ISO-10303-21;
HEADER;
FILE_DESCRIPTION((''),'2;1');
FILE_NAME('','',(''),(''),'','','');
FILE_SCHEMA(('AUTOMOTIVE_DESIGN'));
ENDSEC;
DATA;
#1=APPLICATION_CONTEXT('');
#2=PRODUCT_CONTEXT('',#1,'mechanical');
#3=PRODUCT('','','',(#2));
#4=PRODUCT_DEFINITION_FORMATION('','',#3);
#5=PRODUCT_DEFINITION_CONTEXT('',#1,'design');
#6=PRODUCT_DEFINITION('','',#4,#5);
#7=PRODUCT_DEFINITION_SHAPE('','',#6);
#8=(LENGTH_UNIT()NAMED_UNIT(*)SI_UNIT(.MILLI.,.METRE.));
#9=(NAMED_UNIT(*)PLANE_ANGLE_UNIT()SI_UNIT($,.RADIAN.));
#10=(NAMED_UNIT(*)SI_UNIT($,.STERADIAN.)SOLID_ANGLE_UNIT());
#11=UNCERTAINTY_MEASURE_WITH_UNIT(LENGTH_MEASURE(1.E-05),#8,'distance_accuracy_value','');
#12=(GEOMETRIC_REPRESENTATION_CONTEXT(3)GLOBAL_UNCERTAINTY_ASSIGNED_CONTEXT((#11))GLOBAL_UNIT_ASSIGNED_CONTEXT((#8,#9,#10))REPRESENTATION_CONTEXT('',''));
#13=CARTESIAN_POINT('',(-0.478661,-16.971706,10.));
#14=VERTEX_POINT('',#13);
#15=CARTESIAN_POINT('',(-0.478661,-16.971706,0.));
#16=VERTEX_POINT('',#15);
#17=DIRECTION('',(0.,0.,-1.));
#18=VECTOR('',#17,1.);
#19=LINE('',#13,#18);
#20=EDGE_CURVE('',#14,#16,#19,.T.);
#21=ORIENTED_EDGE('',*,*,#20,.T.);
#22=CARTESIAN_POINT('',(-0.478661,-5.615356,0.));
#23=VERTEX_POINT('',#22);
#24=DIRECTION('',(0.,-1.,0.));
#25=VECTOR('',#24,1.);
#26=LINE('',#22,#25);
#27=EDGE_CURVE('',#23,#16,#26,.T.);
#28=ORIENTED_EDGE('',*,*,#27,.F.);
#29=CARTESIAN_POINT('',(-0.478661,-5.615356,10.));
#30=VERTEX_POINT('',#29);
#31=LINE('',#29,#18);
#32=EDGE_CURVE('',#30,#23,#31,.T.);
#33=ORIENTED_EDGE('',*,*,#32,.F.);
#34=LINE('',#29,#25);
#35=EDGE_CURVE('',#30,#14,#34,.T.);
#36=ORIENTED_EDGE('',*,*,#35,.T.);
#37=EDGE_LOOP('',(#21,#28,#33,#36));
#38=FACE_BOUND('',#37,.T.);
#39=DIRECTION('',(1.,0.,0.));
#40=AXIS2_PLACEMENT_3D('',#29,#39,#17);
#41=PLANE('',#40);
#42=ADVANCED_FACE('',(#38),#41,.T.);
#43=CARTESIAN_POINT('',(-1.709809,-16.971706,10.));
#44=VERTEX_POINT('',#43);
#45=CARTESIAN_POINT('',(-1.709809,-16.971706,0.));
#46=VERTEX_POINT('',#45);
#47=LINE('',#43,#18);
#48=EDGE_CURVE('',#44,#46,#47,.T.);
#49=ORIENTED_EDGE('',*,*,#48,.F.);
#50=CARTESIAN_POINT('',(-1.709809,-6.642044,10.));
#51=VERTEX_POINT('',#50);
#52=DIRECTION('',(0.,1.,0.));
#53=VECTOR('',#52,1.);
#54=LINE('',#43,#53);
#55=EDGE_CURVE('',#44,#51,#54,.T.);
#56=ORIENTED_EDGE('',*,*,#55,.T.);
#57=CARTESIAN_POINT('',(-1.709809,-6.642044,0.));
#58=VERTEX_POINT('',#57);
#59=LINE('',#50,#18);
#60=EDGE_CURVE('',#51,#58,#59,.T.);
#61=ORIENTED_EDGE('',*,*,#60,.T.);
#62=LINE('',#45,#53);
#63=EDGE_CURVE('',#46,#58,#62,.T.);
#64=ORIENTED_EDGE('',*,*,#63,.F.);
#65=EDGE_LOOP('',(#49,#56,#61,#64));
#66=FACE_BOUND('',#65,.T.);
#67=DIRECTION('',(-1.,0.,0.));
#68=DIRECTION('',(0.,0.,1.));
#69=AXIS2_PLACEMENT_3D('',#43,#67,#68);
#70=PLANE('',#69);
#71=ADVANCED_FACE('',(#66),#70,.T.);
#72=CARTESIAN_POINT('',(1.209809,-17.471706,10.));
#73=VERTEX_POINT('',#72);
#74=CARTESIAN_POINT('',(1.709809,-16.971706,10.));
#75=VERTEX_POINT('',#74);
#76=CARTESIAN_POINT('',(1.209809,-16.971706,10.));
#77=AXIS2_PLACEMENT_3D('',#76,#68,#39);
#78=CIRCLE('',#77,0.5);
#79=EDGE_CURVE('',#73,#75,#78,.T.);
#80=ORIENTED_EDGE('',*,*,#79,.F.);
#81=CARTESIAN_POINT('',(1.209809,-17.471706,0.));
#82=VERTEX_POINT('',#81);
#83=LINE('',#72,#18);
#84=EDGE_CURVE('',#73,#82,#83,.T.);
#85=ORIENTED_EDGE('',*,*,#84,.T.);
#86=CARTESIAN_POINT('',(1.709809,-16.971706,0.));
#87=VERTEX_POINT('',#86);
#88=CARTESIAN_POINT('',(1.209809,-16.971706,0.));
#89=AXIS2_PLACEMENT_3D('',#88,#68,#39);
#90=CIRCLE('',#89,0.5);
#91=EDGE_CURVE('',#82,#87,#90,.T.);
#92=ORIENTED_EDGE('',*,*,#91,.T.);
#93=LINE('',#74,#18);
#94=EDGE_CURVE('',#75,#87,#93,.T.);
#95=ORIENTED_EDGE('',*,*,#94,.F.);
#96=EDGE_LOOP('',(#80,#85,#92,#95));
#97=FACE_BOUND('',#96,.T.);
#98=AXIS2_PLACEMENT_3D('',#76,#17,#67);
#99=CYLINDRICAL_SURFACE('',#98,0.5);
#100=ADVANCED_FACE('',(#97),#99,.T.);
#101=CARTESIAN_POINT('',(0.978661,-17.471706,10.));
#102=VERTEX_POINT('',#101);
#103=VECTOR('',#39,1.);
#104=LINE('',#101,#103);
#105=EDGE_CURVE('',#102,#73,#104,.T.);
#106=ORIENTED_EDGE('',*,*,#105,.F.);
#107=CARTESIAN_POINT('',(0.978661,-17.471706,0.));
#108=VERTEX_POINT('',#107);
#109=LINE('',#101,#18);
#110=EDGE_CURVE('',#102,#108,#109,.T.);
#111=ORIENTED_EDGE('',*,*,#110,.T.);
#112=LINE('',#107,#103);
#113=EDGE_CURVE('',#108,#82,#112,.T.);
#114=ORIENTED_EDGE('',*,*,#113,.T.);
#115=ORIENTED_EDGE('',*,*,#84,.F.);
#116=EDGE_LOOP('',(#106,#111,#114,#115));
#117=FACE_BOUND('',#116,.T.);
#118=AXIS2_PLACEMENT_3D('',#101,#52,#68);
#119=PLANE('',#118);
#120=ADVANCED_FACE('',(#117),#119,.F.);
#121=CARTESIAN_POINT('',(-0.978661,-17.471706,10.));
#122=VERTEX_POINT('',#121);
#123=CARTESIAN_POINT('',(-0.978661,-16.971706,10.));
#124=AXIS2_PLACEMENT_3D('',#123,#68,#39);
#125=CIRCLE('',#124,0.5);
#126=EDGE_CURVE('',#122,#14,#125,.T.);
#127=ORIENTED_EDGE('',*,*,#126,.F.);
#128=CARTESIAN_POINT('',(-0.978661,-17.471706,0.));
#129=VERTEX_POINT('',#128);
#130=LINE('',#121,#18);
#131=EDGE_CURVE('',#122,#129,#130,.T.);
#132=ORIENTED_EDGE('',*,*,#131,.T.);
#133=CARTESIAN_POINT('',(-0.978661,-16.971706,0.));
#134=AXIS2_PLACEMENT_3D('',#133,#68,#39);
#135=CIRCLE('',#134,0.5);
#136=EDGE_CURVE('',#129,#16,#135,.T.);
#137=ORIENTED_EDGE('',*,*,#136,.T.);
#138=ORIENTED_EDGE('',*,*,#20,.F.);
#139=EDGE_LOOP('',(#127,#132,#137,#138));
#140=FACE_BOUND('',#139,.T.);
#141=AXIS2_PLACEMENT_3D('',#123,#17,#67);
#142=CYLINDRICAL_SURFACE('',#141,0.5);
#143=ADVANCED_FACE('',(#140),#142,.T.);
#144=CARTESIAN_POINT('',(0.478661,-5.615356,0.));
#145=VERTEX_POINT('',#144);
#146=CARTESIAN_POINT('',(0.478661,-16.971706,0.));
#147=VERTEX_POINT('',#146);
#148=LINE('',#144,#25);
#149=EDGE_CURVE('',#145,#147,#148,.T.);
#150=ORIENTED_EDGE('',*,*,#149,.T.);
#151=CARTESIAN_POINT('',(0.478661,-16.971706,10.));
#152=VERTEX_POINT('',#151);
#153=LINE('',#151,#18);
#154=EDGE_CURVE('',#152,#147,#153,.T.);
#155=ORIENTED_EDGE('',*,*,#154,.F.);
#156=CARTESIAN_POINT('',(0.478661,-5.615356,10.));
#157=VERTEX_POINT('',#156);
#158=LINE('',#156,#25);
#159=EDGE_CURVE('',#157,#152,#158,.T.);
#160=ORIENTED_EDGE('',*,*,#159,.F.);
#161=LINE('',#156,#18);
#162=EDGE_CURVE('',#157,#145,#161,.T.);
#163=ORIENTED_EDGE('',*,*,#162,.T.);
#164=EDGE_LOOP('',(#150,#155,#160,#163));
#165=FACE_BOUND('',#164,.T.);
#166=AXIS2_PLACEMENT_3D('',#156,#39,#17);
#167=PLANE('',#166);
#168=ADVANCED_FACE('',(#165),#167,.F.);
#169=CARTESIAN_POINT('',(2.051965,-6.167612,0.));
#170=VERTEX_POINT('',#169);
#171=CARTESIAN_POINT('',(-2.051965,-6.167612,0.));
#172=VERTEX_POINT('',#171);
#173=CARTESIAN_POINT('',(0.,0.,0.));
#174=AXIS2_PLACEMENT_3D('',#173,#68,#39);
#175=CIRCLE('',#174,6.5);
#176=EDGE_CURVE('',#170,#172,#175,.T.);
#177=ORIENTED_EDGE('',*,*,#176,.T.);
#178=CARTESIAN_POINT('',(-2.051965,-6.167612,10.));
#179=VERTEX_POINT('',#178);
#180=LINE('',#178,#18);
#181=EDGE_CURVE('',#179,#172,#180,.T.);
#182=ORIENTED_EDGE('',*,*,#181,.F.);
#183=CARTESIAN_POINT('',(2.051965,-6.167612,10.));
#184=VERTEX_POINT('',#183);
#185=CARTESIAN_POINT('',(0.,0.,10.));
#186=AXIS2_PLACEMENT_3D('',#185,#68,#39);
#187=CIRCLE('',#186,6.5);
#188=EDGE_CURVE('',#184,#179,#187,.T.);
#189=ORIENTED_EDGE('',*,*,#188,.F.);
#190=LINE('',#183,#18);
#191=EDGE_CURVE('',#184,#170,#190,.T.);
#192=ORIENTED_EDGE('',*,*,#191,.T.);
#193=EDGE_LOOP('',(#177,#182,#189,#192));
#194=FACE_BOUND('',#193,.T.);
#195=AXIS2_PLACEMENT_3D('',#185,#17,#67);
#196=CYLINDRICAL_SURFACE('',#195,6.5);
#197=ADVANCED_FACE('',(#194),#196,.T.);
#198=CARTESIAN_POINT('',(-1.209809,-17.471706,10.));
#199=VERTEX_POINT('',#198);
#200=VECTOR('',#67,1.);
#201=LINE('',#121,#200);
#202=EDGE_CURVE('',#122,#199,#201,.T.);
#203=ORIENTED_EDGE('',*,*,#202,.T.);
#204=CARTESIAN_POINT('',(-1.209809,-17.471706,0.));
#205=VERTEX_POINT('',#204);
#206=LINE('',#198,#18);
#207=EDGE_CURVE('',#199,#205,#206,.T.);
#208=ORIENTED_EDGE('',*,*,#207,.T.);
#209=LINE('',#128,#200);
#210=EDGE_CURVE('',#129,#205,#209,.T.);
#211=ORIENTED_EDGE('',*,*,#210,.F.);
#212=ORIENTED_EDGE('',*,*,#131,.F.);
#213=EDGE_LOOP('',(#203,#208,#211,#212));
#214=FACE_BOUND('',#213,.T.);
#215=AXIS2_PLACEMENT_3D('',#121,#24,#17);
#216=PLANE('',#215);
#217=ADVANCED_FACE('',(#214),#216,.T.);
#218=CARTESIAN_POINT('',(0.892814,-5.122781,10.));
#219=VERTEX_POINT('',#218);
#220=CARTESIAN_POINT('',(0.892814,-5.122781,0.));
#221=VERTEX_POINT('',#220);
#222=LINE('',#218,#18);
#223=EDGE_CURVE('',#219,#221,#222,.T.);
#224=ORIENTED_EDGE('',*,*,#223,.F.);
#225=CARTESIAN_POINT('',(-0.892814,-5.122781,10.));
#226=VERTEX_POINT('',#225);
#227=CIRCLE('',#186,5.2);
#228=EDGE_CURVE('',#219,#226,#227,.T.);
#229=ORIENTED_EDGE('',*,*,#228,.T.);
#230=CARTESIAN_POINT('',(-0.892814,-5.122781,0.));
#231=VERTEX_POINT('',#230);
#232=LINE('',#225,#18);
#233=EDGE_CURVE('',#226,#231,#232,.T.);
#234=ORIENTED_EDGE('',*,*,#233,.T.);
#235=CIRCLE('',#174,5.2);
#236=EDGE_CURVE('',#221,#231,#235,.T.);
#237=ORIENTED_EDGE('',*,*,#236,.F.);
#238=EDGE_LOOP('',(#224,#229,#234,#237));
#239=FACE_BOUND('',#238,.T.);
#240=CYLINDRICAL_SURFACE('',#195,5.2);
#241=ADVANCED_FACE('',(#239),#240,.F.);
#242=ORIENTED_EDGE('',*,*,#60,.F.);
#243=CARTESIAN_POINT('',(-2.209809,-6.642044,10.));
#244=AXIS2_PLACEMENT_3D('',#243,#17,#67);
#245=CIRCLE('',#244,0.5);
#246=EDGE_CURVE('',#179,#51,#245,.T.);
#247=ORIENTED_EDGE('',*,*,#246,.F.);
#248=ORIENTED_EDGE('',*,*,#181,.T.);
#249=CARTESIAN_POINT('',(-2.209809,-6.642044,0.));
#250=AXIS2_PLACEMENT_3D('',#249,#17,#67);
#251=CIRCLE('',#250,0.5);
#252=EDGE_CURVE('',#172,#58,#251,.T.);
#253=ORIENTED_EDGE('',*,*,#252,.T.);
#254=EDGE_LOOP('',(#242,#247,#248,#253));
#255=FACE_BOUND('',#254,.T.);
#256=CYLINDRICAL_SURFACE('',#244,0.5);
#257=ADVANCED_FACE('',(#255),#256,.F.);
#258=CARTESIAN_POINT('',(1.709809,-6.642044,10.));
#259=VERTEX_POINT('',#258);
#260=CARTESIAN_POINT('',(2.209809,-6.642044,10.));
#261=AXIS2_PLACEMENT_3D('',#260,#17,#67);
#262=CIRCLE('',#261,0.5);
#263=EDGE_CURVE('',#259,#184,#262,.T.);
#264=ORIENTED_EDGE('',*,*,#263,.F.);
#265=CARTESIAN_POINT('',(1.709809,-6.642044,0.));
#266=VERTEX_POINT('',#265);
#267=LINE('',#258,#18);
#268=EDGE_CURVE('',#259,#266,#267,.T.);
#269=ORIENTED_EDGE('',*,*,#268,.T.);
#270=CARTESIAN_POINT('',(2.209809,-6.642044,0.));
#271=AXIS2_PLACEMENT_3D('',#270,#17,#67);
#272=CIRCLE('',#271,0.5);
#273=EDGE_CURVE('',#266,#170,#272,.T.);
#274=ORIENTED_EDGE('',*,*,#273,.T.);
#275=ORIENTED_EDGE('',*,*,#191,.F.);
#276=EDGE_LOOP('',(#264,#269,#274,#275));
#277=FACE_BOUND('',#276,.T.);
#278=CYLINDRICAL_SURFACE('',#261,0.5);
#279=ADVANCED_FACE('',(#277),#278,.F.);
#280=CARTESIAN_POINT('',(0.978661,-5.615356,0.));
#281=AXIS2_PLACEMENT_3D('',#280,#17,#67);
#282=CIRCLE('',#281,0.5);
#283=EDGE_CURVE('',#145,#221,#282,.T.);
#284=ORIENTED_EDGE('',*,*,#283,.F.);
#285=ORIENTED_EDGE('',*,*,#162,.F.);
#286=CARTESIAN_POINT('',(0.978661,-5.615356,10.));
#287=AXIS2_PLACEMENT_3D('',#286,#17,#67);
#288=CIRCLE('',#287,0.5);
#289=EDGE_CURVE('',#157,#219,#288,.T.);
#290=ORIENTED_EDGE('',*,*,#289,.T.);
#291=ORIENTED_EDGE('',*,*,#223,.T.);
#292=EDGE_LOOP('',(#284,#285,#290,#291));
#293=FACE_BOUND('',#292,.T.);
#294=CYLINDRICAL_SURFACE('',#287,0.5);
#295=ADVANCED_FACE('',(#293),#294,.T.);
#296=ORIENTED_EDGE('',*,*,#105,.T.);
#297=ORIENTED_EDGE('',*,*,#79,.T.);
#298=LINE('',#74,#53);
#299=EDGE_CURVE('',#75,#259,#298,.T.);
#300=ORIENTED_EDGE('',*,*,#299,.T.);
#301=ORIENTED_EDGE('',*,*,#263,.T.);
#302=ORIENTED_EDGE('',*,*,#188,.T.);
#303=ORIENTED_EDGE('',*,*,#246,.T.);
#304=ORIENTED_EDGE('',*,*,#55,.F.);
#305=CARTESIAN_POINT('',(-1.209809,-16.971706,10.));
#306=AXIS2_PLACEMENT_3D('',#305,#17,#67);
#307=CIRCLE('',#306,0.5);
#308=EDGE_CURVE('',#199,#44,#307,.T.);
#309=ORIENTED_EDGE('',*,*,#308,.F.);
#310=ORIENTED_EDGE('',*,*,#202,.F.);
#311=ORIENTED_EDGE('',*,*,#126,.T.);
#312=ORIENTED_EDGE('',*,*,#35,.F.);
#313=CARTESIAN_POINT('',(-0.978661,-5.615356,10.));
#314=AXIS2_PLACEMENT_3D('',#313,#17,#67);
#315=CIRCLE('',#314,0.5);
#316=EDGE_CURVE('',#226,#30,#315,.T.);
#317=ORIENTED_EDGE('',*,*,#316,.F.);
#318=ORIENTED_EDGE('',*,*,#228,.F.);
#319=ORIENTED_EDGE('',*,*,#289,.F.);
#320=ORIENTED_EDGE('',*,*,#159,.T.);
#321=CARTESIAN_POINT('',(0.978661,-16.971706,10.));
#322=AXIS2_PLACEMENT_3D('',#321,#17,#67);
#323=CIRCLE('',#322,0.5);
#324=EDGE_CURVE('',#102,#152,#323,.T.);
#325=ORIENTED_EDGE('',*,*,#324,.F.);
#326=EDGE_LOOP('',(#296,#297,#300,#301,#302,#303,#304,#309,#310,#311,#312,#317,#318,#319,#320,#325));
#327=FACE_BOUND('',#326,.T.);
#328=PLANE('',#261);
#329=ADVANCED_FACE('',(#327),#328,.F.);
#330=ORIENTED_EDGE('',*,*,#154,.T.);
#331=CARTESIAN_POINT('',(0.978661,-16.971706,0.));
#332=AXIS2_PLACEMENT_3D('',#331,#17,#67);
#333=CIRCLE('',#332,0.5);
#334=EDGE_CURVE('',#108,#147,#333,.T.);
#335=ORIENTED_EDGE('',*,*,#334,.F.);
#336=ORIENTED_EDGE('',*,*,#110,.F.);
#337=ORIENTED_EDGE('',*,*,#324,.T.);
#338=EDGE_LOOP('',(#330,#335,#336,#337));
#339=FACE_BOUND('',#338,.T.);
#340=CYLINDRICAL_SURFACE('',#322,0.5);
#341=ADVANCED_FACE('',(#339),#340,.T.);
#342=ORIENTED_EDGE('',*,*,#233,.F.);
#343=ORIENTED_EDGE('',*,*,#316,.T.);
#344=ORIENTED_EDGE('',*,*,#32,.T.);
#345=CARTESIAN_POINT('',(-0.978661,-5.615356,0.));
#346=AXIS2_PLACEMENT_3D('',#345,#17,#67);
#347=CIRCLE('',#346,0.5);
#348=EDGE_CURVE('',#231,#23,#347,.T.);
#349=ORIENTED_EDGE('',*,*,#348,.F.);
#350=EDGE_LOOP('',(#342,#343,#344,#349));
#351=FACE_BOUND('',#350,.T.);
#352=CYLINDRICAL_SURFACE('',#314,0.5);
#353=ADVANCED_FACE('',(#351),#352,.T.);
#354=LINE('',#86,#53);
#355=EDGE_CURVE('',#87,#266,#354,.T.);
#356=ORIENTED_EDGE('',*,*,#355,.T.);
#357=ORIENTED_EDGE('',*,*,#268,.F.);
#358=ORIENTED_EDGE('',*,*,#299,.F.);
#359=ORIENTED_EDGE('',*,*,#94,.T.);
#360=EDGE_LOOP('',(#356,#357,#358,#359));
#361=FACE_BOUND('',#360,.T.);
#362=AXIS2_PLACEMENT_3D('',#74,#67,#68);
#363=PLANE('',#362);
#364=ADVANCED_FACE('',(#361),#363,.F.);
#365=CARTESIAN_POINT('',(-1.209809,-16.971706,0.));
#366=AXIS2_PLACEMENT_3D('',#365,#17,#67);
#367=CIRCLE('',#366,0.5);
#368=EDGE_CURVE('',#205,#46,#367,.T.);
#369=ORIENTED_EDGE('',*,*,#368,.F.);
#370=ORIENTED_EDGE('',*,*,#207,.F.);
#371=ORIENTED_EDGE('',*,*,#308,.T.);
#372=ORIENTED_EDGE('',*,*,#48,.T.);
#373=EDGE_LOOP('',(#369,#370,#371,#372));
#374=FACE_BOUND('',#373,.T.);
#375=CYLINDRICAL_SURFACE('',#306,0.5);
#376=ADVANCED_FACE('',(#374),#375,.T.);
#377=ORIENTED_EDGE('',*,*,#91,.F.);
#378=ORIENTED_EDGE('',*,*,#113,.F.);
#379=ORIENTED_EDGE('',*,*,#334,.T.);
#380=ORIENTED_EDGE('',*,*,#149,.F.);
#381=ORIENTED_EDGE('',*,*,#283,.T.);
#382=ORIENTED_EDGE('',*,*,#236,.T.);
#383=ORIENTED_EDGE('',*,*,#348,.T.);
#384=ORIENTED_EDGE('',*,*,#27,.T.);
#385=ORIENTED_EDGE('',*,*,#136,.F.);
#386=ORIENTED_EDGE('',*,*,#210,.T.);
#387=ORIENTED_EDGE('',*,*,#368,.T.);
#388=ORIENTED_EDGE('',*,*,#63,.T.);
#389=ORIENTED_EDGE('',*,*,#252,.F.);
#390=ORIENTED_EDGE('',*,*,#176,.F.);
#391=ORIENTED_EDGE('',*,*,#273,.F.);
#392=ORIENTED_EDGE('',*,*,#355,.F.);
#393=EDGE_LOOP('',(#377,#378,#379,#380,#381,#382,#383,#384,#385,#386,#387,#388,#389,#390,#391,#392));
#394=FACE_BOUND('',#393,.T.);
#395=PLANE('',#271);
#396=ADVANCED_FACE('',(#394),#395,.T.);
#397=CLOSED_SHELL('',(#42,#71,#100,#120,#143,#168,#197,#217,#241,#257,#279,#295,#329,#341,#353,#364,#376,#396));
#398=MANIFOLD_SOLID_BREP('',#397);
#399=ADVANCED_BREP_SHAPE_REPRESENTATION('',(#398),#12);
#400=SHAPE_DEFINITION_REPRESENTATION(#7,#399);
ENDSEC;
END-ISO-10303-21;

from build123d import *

# Parameters (mm, degrees)
BOSS_EXTRUDE1_DEPTH = 10


with BuildPart() as part:
    # Sketch1 → Boss-Extrude1 (new body)
    with BuildSketch(Plane.XY):
        with BuildLine():
            Line((0.478661478, -5.615355885), (0.478661478, -16.97170584))
            ThreePointArc((0.478661478, -16.97170584), (0.625108087, -17.325259231), (0.978661478, -17.47170584))
            Line((0.978661478, -17.47170584), (1.209808881, -17.47170584))
            ThreePointArc((1.209808881, -17.47170584), (1.563362272, -17.325259231), (1.709808881, -16.97170584))
            Line((1.709808881, -16.97170584), (1.709808881, -6.642043715))
            ThreePointArc((1.709808881, -6.642043715), (1.804271123, -6.349572986), (2.05196539, -6.167612021))
            ThreePointArc((2.05196539, -6.167612021), (0, 6.5), (-2.05196539, -6.167612021))
            ThreePointArc((-2.05196539, -6.167612021), (-1.804271123, -6.349572986), (-1.709808881, -6.642043715))
            Line((-1.709808881, -6.642043715), (-1.709808881, -16.97170584))
            ThreePointArc((-1.709808881, -16.97170584), (-1.563362272, -17.325259231), (-1.209808881, -17.47170584))
            Line((-1.209808881, -17.47170584), (-0.978661478, -17.47170584))
            ThreePointArc((-0.978661478, -17.47170584), (-0.625108087, -17.325259231), (-0.478661478, -16.97170584))
            Line((-0.478661478, -16.97170584), (-0.478661478, -5.615355885))
            ThreePointArc((-0.478661478, -5.615355885), (-0.595958101, -5.293582478), (-0.89281398, -5.122780807))
            ThreePointArc((-0.89281398, -5.122780807), (0, 5.2), (0.89281398, -5.122780807))
            ThreePointArc((0.89281398, -5.122780807), (0.595958101, -5.293582478), (0.478661478, -5.615355885))
        make_face()
    extrude(amount=BOSS_EXTRUDE1_DEPTH)


solid = part.part
